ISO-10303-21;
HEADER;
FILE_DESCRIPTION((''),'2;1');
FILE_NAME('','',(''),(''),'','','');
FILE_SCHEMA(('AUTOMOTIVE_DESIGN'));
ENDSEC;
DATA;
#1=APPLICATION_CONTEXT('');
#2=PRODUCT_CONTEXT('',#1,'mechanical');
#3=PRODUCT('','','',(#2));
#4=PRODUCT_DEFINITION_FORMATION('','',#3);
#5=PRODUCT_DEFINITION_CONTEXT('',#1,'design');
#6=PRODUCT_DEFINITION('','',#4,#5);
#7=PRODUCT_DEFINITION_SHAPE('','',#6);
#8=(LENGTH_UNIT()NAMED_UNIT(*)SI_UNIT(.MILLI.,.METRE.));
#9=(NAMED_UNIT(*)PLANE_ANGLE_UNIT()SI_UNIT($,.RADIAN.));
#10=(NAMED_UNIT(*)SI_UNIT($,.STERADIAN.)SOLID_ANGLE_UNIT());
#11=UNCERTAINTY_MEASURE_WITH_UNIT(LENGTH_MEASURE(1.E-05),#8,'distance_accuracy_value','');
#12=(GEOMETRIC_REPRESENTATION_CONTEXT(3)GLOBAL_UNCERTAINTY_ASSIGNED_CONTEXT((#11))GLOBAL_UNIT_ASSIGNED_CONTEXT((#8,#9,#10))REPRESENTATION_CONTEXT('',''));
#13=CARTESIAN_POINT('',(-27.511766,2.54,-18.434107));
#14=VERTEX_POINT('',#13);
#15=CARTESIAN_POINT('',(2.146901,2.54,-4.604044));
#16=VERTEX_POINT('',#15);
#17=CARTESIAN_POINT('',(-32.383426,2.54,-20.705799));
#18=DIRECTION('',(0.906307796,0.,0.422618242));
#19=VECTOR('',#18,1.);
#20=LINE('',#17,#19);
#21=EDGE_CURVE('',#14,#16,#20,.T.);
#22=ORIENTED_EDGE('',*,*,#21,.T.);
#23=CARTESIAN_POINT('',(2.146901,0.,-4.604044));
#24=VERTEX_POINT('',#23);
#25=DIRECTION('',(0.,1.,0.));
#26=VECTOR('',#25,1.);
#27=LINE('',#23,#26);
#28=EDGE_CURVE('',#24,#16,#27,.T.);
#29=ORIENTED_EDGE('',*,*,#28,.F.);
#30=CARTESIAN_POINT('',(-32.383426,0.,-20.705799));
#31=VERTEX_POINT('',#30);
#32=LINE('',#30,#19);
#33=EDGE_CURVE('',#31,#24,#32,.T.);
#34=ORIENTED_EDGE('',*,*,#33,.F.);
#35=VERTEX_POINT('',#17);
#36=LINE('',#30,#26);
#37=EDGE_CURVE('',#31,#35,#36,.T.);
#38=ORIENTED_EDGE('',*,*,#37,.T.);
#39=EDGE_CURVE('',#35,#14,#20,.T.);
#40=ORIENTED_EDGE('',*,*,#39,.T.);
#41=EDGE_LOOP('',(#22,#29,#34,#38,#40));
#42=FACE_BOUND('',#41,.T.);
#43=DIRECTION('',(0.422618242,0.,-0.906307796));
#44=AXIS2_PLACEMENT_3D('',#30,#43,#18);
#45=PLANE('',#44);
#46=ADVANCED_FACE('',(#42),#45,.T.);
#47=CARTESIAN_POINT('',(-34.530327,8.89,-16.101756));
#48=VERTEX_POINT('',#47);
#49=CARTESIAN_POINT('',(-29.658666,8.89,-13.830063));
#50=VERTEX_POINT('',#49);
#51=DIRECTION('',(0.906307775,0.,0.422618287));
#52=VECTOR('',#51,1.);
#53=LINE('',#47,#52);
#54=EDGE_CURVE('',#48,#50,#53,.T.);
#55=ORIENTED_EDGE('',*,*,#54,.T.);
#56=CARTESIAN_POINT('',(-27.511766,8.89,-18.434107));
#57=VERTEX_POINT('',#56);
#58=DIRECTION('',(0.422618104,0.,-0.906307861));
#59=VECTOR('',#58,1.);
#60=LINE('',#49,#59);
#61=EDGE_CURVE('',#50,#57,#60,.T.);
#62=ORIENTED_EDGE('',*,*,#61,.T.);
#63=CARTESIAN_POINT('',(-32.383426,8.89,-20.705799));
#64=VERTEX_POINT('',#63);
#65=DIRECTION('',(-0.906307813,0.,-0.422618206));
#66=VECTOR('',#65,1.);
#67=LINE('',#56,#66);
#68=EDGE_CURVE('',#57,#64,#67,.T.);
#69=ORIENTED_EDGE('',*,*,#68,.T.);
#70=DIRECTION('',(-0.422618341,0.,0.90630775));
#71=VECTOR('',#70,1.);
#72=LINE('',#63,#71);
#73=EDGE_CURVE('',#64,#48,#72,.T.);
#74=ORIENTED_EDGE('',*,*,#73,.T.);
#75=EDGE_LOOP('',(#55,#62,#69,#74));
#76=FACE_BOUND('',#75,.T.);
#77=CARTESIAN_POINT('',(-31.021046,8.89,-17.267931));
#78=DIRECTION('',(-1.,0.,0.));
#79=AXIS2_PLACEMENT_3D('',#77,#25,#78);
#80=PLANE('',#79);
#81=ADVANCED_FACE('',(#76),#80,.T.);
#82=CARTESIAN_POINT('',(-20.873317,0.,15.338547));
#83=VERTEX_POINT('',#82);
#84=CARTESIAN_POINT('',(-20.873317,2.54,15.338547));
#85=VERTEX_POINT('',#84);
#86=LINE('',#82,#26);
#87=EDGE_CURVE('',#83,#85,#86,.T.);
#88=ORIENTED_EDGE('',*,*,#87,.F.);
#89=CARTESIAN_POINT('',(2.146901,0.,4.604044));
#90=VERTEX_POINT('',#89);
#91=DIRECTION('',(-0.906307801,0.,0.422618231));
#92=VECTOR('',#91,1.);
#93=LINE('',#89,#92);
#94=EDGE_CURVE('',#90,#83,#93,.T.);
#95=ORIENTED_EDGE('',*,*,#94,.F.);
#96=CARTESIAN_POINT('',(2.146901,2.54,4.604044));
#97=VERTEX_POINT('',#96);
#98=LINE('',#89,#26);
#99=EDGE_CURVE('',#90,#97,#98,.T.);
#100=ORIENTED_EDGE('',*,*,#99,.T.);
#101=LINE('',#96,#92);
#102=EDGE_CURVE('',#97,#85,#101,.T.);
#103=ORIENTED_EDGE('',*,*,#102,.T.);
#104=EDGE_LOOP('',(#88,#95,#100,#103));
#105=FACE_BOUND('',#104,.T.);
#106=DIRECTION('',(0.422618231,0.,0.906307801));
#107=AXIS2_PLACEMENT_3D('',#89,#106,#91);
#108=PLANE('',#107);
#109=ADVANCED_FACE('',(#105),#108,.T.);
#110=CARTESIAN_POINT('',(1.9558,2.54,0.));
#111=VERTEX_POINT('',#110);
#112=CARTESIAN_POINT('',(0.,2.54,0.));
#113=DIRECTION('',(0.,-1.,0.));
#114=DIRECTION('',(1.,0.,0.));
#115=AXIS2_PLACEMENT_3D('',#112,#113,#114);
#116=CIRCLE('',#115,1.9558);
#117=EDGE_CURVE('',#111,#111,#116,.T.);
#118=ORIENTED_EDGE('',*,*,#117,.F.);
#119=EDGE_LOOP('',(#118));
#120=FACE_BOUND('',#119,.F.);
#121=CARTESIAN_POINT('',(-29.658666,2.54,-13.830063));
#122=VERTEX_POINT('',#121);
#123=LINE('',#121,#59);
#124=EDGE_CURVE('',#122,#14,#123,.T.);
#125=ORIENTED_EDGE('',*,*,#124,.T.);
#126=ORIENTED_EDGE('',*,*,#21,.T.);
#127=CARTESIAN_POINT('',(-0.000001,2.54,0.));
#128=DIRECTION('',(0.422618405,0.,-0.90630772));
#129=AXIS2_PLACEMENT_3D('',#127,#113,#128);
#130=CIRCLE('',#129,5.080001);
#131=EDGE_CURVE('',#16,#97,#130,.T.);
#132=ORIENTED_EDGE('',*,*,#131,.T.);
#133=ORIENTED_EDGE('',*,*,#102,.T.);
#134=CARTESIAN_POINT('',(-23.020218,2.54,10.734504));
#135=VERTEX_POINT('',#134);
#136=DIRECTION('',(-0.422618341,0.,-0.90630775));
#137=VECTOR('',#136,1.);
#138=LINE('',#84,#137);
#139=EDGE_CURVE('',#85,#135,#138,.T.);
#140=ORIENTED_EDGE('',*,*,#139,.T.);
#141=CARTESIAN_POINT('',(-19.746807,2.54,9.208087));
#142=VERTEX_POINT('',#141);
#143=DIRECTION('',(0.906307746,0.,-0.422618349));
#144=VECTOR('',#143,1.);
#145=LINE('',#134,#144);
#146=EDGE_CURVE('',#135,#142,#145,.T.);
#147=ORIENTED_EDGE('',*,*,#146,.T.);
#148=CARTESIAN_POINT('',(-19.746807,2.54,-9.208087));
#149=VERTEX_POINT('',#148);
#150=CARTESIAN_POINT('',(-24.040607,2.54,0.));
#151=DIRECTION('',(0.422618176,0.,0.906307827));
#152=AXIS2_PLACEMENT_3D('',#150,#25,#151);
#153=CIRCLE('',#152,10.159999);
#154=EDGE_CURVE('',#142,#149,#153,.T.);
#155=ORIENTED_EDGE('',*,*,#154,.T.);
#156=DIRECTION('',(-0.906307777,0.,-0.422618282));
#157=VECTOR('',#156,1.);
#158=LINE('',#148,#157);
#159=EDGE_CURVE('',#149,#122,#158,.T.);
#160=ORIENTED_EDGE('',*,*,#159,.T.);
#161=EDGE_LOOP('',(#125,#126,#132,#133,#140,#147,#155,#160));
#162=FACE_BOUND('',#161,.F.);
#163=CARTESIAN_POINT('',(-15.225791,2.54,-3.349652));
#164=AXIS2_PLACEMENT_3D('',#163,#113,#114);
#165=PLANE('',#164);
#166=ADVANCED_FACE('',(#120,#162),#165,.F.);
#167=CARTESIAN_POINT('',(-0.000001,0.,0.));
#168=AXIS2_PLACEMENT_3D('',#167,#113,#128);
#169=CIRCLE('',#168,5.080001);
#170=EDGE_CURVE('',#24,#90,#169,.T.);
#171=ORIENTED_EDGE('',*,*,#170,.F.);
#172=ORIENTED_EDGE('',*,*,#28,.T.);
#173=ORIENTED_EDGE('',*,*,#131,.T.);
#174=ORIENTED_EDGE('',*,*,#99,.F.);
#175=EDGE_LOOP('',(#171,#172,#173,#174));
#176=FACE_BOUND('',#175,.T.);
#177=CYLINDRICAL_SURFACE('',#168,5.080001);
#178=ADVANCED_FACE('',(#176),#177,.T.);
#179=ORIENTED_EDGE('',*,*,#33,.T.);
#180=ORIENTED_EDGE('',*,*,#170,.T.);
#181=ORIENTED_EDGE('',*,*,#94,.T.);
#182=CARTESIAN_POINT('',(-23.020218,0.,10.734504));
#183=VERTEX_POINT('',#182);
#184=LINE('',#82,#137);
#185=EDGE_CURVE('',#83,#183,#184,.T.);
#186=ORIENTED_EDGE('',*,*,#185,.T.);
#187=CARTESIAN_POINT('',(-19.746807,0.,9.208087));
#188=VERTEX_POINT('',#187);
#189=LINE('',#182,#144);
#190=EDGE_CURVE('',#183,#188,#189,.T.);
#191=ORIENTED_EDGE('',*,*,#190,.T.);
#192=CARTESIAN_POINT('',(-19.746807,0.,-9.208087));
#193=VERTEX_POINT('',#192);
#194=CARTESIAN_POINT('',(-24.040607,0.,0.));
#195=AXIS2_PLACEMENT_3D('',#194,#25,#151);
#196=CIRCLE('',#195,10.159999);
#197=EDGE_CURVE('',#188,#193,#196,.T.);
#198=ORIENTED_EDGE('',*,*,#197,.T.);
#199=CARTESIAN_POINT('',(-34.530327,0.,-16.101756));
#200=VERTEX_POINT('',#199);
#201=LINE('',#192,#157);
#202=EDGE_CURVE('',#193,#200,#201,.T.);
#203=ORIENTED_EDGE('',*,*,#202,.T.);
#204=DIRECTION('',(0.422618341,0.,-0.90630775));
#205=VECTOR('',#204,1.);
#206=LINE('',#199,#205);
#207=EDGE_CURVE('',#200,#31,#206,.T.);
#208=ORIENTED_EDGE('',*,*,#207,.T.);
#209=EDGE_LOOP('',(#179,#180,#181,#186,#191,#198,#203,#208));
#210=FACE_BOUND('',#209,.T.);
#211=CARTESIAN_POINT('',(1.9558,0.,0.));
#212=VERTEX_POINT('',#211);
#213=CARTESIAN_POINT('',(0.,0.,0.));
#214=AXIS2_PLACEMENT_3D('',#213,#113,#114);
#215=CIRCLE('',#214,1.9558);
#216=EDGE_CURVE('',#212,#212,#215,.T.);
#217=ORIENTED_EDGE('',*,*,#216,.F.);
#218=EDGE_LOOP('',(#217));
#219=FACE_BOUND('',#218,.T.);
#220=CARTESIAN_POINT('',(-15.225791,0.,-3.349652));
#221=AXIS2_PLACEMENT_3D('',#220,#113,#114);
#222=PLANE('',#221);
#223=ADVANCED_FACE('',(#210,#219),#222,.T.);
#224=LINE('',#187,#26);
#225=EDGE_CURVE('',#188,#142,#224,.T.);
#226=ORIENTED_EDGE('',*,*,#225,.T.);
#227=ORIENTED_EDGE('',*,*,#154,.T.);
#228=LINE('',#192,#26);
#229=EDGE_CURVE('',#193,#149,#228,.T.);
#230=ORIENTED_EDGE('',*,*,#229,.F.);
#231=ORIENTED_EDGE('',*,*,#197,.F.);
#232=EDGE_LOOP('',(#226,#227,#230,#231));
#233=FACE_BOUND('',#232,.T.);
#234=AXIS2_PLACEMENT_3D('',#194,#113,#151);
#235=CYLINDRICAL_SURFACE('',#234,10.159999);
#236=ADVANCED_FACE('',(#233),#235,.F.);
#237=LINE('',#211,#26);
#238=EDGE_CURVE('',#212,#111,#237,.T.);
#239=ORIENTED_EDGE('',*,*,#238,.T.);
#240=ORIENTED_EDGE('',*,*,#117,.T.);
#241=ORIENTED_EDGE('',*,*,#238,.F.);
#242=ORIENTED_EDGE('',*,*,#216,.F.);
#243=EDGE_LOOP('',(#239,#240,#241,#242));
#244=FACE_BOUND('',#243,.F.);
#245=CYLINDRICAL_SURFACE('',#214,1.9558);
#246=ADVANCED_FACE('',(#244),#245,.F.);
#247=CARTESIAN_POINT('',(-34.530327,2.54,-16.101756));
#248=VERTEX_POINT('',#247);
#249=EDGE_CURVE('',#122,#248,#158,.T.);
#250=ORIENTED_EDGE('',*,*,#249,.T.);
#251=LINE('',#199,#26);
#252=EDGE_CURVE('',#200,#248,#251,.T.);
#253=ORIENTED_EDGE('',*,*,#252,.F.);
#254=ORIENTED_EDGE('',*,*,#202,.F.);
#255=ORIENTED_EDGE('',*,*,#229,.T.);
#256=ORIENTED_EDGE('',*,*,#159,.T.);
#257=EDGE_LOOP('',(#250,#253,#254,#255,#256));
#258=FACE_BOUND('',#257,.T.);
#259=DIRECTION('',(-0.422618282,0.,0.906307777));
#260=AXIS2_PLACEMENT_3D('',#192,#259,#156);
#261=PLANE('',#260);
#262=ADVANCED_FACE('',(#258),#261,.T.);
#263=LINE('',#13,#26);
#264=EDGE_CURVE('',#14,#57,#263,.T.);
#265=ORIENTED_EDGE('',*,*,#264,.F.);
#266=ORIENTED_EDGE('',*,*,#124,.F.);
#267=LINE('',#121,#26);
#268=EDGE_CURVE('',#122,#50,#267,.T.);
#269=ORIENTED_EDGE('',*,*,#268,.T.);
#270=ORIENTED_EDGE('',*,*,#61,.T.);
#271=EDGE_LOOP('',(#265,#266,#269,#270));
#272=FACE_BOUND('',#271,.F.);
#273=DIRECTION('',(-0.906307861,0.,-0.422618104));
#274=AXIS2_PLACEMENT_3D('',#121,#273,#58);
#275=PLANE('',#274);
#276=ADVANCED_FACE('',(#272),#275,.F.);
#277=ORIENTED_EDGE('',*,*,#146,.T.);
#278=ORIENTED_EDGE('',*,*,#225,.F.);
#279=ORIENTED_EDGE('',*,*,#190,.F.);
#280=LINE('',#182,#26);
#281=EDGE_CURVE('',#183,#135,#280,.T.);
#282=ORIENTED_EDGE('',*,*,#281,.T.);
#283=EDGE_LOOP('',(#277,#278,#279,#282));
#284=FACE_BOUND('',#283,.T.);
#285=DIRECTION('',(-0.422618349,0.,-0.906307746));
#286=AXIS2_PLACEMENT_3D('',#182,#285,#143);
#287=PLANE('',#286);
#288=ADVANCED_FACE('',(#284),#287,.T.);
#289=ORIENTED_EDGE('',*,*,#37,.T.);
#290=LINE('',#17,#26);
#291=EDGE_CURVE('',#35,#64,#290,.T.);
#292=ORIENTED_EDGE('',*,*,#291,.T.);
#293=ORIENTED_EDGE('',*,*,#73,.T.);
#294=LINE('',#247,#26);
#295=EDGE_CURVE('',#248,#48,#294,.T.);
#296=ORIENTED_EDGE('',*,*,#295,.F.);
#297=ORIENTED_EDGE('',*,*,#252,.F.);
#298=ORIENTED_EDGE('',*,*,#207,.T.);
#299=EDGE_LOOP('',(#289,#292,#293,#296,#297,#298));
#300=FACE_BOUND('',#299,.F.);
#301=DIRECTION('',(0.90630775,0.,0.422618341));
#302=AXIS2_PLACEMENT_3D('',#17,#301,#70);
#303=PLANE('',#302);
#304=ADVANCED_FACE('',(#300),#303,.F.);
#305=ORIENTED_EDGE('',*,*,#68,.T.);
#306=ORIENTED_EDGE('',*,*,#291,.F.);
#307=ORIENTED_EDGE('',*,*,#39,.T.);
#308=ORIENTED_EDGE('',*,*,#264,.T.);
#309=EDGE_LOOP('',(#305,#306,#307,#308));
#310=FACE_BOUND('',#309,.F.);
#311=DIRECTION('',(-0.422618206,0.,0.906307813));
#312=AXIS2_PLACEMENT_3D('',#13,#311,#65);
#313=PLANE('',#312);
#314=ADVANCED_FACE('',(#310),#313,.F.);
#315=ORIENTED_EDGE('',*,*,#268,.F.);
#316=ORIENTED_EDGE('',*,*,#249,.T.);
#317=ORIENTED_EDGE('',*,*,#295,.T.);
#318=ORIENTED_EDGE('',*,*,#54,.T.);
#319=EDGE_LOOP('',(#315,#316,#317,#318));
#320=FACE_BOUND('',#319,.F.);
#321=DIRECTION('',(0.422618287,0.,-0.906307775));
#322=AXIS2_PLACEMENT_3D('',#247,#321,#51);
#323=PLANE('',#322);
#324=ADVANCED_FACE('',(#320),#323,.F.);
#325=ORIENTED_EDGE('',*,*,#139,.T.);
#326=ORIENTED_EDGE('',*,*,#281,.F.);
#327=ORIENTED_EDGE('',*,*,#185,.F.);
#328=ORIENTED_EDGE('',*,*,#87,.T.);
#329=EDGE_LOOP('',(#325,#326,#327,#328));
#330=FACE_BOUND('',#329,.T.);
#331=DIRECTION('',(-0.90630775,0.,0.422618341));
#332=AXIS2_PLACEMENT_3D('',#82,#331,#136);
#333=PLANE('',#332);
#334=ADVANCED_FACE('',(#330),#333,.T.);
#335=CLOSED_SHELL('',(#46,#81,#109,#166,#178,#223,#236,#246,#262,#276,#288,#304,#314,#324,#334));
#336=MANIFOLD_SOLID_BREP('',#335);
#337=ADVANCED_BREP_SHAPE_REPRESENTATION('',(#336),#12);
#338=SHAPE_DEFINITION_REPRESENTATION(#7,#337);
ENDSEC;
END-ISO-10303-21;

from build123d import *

# Parameters (mm, degrees)
F0_R     = 1.9558
F1_DEPTH = 2.54
F3_DEPTH = 6.35


with BuildPart() as f1:
    # F0 (on Front) → F1 (new body)
    with BuildSketch(Plane.XZ):
        with BuildLine():
            ThreePointArc((2.146901, -4.604044), (5.08, 0), (2.146901, 4.604044))
            Line((2.146901, 4.604044), (-20.873317, 15.338547))
            Line((-20.873317, 15.338547), (-23.020218, 10.734504))
            Line((-23.020218, 10.734504), (-19.746807, 9.208087))
            ThreePointArc((-19.746807, 9.208087), (-13.880608, 0), (-19.746807, -9.208087))
            Line((-19.746807, -9.208087), (-34.530327, -16.101756))
            Line((-34.530327, -16.101756), (-32.383426, -20.705799))
            Line((-32.383426, -20.705799), (2.146901, -4.604044))
        make_face()
        Circle(F0_R, mode=Mode.SUBTRACT)
    extrude(amount=-F1_DEPTH)

    # F2 (on face) → F3 (join)
    with BuildSketch(Plane(origin=(0, 2.54, 0), x_dir=(-1, 0, 0), z_dir=(0, 1, 0))):
        Polygon((32.383426, -20.705799), (34.530327, -16.101756), (29.658666, -13.830063), (27.511766, -18.434107), align=None)
    extrude(amount=F3_DEPTH)


solid = f1.part
